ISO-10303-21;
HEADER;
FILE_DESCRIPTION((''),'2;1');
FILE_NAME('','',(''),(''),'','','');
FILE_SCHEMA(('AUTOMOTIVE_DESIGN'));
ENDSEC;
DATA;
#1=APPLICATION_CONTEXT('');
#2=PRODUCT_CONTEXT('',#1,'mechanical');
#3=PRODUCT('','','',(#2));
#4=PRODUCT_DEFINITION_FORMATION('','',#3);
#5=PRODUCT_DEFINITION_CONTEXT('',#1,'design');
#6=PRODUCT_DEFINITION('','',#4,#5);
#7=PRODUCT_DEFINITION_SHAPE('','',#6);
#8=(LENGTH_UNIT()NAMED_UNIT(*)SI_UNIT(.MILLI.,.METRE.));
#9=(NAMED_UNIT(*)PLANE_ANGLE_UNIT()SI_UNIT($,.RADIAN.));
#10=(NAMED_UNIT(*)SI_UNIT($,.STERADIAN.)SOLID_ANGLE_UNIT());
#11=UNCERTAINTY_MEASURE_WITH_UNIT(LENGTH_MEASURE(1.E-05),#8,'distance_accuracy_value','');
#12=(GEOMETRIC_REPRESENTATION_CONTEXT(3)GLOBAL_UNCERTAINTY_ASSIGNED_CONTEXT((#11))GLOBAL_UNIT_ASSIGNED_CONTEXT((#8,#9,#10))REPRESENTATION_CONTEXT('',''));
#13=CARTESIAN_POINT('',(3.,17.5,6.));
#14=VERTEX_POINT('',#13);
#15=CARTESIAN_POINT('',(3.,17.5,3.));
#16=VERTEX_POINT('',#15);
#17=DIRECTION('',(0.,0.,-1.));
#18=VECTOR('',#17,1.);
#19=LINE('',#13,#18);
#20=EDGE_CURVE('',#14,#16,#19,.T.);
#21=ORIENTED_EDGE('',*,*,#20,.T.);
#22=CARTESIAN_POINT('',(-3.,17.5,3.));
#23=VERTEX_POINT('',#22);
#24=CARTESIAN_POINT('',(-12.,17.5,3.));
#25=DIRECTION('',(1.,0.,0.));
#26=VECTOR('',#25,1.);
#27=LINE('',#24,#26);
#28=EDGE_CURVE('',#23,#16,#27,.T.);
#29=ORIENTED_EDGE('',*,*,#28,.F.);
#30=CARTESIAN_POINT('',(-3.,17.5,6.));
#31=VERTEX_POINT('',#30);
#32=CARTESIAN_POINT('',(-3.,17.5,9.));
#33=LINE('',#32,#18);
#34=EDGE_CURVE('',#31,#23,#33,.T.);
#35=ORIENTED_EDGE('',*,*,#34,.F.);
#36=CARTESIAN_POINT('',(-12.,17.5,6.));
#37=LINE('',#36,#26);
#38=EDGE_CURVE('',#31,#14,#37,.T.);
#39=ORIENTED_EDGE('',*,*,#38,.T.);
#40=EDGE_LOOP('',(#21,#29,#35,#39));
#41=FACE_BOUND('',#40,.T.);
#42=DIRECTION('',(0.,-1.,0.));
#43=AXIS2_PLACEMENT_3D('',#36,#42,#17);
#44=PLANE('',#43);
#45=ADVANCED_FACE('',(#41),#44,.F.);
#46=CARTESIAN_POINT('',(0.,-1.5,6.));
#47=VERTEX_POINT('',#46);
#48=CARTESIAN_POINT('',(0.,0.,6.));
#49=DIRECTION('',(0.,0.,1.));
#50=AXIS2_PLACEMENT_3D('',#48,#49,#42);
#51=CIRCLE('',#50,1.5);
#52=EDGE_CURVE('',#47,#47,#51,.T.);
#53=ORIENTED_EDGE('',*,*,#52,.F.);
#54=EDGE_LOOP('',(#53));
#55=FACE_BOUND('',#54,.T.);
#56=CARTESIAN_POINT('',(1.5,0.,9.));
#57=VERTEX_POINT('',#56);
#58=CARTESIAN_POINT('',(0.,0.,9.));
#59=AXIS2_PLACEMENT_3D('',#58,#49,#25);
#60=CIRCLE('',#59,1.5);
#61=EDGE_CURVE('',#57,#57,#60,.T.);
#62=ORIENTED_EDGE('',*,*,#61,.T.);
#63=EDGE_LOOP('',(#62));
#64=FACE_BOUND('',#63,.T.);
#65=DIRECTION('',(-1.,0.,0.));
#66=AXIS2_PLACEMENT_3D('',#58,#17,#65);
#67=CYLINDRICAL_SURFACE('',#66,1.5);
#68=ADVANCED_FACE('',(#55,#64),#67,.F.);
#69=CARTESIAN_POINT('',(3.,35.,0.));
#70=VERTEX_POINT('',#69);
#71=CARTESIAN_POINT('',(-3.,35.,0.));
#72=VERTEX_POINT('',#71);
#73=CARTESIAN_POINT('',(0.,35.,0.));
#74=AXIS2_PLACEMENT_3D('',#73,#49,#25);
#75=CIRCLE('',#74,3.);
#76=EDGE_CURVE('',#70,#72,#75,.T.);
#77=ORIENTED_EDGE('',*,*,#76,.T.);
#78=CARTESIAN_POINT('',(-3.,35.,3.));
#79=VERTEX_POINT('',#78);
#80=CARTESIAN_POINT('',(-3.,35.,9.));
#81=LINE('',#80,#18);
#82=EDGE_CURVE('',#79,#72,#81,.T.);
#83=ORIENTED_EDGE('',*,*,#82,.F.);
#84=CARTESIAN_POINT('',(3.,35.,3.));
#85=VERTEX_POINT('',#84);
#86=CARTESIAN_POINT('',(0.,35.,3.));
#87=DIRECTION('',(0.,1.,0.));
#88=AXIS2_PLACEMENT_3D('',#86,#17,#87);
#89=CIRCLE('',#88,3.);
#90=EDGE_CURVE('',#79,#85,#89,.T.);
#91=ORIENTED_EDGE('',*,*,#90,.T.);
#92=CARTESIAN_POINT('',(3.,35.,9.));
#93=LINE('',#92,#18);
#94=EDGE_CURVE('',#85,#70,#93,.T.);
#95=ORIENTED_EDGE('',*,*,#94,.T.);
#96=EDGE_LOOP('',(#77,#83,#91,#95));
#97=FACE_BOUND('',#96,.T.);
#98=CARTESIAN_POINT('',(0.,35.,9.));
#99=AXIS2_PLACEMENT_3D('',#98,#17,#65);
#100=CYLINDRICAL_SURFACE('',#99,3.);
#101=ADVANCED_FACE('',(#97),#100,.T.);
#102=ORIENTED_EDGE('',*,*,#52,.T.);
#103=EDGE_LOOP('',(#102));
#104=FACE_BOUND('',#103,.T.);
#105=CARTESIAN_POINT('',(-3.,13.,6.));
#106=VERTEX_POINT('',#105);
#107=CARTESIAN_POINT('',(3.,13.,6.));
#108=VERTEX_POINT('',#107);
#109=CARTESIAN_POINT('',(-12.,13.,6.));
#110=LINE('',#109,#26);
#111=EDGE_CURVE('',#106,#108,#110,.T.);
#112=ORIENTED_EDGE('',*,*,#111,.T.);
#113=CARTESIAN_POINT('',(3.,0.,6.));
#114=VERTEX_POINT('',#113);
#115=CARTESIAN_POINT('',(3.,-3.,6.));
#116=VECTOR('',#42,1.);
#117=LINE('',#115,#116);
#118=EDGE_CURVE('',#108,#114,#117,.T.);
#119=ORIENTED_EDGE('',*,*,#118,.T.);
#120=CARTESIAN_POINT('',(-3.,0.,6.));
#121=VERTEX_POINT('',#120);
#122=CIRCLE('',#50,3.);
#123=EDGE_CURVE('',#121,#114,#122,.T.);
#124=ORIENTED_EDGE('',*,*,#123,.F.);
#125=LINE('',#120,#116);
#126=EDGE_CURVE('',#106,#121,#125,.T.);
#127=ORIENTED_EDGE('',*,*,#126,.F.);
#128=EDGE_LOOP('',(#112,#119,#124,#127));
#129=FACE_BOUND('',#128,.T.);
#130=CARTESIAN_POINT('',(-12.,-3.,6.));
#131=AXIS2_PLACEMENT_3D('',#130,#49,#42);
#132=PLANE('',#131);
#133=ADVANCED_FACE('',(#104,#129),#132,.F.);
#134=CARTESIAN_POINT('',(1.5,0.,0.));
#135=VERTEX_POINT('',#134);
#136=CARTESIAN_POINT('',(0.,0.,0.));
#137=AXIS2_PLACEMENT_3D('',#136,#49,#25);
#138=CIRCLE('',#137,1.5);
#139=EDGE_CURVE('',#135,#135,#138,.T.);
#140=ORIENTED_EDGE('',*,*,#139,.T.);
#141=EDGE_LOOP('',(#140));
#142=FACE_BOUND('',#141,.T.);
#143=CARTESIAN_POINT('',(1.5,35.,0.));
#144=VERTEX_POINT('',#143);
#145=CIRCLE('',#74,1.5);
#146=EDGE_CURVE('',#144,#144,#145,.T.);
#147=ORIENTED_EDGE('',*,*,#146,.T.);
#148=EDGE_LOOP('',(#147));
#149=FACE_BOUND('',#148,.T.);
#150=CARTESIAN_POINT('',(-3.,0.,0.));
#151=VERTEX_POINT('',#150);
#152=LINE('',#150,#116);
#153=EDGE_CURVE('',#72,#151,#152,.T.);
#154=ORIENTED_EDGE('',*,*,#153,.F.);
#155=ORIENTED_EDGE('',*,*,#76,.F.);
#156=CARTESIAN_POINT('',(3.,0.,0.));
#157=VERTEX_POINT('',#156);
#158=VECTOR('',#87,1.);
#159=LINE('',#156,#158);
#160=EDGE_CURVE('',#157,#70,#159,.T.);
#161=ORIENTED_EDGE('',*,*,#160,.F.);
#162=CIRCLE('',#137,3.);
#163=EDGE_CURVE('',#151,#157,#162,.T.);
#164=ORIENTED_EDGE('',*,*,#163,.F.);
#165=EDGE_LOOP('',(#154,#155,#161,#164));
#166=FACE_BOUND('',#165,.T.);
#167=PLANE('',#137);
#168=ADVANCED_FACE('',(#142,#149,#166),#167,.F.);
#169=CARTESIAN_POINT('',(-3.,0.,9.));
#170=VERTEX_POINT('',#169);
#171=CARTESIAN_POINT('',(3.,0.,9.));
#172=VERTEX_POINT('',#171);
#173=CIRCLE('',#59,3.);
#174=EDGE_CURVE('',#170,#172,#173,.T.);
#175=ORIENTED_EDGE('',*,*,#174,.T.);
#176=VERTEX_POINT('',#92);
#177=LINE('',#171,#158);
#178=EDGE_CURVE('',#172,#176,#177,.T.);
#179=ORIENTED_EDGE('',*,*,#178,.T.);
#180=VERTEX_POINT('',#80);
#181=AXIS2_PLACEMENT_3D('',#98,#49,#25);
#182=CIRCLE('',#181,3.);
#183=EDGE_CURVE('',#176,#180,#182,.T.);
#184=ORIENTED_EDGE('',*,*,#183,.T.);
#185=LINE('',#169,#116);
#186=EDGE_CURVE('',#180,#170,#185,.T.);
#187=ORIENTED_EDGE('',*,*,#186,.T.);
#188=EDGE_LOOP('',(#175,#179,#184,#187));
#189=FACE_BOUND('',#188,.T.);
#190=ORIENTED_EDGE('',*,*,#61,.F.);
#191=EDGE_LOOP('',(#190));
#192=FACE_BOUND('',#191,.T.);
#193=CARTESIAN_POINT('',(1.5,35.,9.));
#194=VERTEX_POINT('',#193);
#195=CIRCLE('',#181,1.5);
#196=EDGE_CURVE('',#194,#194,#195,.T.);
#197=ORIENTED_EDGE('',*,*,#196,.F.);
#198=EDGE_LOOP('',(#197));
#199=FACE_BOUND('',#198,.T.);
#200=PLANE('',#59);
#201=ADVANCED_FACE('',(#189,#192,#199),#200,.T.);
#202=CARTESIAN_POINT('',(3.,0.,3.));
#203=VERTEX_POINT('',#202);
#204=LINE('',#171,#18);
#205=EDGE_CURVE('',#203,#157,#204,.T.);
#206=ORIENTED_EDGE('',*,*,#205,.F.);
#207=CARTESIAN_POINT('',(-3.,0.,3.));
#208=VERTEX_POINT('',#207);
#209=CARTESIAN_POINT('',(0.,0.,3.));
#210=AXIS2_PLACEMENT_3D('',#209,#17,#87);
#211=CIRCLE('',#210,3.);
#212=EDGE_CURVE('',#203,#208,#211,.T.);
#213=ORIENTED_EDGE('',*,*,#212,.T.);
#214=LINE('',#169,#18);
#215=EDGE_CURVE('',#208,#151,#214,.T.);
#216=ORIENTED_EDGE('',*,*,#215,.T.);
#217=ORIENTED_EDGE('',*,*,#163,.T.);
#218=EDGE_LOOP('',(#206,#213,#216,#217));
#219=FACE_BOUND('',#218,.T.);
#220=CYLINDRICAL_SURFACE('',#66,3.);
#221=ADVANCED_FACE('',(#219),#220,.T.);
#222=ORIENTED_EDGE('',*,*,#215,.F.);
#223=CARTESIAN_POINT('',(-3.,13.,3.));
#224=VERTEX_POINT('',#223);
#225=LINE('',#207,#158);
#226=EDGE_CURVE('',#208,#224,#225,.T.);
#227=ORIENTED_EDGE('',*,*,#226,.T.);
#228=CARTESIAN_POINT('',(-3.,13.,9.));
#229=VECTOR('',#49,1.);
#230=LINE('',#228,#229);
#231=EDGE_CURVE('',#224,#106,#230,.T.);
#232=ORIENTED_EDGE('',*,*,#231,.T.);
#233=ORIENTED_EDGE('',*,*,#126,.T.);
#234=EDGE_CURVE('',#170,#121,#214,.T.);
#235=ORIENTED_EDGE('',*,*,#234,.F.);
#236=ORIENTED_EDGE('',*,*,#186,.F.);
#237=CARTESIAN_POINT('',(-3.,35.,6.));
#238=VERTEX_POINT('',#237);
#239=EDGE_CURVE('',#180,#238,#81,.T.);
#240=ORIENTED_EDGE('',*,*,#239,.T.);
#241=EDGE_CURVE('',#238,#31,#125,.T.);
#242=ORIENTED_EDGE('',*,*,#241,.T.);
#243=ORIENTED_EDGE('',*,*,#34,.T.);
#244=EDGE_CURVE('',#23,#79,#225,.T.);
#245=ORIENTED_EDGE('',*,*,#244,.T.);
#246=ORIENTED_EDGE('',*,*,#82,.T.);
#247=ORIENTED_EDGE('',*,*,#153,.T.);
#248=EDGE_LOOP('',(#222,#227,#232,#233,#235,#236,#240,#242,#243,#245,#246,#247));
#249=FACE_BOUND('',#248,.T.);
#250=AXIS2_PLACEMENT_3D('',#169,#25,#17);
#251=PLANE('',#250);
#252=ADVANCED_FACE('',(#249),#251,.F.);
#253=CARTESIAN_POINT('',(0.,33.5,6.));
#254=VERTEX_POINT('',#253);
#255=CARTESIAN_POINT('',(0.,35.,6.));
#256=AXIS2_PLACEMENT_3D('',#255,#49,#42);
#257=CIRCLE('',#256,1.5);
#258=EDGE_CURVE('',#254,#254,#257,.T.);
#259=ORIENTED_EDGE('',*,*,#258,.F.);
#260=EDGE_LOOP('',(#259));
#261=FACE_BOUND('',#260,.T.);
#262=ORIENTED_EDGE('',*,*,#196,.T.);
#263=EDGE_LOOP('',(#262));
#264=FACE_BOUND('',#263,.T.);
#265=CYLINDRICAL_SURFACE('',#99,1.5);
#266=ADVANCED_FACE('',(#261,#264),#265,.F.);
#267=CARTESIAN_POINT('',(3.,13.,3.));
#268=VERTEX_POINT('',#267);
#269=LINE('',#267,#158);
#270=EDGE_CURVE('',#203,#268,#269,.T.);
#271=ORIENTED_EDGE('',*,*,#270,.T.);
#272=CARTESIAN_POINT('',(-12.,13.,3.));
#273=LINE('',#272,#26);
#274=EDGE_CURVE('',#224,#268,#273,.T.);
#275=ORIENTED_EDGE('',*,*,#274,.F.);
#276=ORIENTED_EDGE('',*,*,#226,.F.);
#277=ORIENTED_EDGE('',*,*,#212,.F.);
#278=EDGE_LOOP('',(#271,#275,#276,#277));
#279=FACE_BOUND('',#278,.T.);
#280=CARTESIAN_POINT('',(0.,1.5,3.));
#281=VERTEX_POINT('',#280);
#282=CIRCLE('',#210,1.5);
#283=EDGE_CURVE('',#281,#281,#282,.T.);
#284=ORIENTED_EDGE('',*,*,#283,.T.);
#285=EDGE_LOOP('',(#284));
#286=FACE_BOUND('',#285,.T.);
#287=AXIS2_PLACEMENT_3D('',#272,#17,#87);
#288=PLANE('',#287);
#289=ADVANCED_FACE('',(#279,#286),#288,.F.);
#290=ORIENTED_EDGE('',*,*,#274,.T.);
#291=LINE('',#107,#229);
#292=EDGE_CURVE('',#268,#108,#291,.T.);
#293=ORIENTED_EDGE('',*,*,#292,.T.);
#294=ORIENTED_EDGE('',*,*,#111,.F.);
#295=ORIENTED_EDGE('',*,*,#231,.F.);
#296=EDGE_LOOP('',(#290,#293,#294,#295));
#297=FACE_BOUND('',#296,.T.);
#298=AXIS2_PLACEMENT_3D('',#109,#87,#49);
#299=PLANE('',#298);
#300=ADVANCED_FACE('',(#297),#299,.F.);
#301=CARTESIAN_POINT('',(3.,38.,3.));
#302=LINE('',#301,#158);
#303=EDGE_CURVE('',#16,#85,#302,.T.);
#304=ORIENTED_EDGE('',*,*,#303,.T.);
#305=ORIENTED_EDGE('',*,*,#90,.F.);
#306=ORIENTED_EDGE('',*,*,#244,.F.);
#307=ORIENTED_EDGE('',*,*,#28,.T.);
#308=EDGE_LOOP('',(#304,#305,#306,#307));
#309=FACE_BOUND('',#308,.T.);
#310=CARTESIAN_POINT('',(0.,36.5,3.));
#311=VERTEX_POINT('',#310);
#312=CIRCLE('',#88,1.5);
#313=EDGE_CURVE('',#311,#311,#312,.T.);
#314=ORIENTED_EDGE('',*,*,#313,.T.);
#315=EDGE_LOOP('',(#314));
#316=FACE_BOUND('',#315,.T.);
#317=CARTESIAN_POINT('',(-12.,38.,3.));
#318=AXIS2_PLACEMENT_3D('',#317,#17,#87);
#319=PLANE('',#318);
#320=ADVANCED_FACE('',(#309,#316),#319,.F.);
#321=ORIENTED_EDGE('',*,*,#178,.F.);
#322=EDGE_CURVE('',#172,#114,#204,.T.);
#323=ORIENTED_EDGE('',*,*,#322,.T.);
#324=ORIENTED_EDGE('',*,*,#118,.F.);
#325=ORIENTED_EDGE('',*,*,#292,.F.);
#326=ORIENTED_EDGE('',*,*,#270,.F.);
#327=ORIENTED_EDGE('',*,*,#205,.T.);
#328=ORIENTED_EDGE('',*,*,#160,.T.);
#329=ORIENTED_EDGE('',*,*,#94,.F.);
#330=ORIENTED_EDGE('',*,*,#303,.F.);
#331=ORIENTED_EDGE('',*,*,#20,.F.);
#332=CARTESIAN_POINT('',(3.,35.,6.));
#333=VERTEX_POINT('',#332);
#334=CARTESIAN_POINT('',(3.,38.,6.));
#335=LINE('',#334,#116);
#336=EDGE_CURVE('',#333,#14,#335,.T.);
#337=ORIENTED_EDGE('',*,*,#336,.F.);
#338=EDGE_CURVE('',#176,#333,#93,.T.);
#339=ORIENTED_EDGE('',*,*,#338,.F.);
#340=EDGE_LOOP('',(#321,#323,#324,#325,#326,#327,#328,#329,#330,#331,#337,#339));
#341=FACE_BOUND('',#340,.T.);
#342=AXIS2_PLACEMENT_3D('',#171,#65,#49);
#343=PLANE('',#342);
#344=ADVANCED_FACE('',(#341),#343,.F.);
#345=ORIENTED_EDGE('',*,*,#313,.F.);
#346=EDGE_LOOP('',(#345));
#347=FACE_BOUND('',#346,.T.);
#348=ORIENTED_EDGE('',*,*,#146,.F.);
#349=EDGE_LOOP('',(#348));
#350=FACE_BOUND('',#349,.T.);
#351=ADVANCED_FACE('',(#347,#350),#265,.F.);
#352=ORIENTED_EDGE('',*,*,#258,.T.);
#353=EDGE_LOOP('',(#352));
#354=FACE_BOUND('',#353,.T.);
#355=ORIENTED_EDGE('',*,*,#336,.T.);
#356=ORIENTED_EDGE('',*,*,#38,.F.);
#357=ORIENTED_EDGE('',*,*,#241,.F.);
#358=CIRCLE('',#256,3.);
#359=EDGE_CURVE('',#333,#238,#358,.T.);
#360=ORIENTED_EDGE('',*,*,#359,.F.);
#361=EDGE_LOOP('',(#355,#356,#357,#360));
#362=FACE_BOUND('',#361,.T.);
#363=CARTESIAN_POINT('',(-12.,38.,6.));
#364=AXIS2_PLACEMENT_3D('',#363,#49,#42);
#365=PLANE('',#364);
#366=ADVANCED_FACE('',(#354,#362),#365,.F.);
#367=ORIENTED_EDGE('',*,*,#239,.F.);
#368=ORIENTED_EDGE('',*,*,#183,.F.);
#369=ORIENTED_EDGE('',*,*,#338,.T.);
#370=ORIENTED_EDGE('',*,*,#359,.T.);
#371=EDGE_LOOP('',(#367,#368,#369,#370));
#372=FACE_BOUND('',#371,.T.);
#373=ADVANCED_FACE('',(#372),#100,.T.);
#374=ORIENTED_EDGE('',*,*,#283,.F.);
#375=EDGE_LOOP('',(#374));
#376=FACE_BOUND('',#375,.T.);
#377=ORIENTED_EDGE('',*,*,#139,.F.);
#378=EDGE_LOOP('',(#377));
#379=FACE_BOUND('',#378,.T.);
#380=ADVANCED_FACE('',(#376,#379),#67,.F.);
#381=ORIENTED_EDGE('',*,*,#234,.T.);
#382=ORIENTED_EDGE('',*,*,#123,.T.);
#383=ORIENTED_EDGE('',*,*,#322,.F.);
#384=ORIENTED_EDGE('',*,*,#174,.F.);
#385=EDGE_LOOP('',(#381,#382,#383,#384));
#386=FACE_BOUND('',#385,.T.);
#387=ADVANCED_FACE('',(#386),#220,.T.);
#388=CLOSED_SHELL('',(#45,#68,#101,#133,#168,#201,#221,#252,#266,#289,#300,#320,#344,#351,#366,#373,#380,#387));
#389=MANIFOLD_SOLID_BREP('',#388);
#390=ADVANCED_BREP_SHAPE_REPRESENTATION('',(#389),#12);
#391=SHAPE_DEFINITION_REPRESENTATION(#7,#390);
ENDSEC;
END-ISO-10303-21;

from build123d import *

# Parameters (mm, degrees)
SCHIZZO2_R                   = 1.5
ESTRUSIONE_ESTRUSIONE1_DEPTH = 9
SCHIZZO5_W                   = 3
SCHIZZO5_H                   = 20.5
SCHIZZO5_H_2                 = 16
TAGLIO_ESTRUSIONE1_DEPTH     = 15


with BuildPart() as part:
    # Schizzo2 → Estrusione-Estrusione1 (new body)
    with BuildSketch(Plane.XY):
        with BuildLine():
            Line((-3, 0), (-3, 35))
            ThreePointArc((-3, 35), (0, 38), (3, 35))
            Line((3, 35), (3, 0))
            ThreePointArc((3, 0), (0, -3), (-3, 0))
        make_face()
        with Locations((0, 35)):
            Circle(SCHIZZO2_R, mode=Mode.SUBTRACT)
        Circle(SCHIZZO2_R, mode=Mode.SUBTRACT)
    extrude(amount=ESTRUSIONE_ESTRUSIONE1_DEPTH)

    # Schizzo5 → Taglio-Estrusione1 (cut)
    with BuildSketch(Plane(origin=(3, 0, 0), x_dir=(0, 0, -1), z_dir=(1, 0, 0))):
        with Locations((-4.5, 27.75)):
            Rectangle(SCHIZZO5_W, SCHIZZO5_H)
        with Locations((-4.5, 5)):
            Rectangle(SCHIZZO5_W, SCHIZZO5_H_2)
    extrude(amount=-TAGLIO_ESTRUSIONE1_DEPTH, mode=Mode.SUBTRACT)


solid = part.part
